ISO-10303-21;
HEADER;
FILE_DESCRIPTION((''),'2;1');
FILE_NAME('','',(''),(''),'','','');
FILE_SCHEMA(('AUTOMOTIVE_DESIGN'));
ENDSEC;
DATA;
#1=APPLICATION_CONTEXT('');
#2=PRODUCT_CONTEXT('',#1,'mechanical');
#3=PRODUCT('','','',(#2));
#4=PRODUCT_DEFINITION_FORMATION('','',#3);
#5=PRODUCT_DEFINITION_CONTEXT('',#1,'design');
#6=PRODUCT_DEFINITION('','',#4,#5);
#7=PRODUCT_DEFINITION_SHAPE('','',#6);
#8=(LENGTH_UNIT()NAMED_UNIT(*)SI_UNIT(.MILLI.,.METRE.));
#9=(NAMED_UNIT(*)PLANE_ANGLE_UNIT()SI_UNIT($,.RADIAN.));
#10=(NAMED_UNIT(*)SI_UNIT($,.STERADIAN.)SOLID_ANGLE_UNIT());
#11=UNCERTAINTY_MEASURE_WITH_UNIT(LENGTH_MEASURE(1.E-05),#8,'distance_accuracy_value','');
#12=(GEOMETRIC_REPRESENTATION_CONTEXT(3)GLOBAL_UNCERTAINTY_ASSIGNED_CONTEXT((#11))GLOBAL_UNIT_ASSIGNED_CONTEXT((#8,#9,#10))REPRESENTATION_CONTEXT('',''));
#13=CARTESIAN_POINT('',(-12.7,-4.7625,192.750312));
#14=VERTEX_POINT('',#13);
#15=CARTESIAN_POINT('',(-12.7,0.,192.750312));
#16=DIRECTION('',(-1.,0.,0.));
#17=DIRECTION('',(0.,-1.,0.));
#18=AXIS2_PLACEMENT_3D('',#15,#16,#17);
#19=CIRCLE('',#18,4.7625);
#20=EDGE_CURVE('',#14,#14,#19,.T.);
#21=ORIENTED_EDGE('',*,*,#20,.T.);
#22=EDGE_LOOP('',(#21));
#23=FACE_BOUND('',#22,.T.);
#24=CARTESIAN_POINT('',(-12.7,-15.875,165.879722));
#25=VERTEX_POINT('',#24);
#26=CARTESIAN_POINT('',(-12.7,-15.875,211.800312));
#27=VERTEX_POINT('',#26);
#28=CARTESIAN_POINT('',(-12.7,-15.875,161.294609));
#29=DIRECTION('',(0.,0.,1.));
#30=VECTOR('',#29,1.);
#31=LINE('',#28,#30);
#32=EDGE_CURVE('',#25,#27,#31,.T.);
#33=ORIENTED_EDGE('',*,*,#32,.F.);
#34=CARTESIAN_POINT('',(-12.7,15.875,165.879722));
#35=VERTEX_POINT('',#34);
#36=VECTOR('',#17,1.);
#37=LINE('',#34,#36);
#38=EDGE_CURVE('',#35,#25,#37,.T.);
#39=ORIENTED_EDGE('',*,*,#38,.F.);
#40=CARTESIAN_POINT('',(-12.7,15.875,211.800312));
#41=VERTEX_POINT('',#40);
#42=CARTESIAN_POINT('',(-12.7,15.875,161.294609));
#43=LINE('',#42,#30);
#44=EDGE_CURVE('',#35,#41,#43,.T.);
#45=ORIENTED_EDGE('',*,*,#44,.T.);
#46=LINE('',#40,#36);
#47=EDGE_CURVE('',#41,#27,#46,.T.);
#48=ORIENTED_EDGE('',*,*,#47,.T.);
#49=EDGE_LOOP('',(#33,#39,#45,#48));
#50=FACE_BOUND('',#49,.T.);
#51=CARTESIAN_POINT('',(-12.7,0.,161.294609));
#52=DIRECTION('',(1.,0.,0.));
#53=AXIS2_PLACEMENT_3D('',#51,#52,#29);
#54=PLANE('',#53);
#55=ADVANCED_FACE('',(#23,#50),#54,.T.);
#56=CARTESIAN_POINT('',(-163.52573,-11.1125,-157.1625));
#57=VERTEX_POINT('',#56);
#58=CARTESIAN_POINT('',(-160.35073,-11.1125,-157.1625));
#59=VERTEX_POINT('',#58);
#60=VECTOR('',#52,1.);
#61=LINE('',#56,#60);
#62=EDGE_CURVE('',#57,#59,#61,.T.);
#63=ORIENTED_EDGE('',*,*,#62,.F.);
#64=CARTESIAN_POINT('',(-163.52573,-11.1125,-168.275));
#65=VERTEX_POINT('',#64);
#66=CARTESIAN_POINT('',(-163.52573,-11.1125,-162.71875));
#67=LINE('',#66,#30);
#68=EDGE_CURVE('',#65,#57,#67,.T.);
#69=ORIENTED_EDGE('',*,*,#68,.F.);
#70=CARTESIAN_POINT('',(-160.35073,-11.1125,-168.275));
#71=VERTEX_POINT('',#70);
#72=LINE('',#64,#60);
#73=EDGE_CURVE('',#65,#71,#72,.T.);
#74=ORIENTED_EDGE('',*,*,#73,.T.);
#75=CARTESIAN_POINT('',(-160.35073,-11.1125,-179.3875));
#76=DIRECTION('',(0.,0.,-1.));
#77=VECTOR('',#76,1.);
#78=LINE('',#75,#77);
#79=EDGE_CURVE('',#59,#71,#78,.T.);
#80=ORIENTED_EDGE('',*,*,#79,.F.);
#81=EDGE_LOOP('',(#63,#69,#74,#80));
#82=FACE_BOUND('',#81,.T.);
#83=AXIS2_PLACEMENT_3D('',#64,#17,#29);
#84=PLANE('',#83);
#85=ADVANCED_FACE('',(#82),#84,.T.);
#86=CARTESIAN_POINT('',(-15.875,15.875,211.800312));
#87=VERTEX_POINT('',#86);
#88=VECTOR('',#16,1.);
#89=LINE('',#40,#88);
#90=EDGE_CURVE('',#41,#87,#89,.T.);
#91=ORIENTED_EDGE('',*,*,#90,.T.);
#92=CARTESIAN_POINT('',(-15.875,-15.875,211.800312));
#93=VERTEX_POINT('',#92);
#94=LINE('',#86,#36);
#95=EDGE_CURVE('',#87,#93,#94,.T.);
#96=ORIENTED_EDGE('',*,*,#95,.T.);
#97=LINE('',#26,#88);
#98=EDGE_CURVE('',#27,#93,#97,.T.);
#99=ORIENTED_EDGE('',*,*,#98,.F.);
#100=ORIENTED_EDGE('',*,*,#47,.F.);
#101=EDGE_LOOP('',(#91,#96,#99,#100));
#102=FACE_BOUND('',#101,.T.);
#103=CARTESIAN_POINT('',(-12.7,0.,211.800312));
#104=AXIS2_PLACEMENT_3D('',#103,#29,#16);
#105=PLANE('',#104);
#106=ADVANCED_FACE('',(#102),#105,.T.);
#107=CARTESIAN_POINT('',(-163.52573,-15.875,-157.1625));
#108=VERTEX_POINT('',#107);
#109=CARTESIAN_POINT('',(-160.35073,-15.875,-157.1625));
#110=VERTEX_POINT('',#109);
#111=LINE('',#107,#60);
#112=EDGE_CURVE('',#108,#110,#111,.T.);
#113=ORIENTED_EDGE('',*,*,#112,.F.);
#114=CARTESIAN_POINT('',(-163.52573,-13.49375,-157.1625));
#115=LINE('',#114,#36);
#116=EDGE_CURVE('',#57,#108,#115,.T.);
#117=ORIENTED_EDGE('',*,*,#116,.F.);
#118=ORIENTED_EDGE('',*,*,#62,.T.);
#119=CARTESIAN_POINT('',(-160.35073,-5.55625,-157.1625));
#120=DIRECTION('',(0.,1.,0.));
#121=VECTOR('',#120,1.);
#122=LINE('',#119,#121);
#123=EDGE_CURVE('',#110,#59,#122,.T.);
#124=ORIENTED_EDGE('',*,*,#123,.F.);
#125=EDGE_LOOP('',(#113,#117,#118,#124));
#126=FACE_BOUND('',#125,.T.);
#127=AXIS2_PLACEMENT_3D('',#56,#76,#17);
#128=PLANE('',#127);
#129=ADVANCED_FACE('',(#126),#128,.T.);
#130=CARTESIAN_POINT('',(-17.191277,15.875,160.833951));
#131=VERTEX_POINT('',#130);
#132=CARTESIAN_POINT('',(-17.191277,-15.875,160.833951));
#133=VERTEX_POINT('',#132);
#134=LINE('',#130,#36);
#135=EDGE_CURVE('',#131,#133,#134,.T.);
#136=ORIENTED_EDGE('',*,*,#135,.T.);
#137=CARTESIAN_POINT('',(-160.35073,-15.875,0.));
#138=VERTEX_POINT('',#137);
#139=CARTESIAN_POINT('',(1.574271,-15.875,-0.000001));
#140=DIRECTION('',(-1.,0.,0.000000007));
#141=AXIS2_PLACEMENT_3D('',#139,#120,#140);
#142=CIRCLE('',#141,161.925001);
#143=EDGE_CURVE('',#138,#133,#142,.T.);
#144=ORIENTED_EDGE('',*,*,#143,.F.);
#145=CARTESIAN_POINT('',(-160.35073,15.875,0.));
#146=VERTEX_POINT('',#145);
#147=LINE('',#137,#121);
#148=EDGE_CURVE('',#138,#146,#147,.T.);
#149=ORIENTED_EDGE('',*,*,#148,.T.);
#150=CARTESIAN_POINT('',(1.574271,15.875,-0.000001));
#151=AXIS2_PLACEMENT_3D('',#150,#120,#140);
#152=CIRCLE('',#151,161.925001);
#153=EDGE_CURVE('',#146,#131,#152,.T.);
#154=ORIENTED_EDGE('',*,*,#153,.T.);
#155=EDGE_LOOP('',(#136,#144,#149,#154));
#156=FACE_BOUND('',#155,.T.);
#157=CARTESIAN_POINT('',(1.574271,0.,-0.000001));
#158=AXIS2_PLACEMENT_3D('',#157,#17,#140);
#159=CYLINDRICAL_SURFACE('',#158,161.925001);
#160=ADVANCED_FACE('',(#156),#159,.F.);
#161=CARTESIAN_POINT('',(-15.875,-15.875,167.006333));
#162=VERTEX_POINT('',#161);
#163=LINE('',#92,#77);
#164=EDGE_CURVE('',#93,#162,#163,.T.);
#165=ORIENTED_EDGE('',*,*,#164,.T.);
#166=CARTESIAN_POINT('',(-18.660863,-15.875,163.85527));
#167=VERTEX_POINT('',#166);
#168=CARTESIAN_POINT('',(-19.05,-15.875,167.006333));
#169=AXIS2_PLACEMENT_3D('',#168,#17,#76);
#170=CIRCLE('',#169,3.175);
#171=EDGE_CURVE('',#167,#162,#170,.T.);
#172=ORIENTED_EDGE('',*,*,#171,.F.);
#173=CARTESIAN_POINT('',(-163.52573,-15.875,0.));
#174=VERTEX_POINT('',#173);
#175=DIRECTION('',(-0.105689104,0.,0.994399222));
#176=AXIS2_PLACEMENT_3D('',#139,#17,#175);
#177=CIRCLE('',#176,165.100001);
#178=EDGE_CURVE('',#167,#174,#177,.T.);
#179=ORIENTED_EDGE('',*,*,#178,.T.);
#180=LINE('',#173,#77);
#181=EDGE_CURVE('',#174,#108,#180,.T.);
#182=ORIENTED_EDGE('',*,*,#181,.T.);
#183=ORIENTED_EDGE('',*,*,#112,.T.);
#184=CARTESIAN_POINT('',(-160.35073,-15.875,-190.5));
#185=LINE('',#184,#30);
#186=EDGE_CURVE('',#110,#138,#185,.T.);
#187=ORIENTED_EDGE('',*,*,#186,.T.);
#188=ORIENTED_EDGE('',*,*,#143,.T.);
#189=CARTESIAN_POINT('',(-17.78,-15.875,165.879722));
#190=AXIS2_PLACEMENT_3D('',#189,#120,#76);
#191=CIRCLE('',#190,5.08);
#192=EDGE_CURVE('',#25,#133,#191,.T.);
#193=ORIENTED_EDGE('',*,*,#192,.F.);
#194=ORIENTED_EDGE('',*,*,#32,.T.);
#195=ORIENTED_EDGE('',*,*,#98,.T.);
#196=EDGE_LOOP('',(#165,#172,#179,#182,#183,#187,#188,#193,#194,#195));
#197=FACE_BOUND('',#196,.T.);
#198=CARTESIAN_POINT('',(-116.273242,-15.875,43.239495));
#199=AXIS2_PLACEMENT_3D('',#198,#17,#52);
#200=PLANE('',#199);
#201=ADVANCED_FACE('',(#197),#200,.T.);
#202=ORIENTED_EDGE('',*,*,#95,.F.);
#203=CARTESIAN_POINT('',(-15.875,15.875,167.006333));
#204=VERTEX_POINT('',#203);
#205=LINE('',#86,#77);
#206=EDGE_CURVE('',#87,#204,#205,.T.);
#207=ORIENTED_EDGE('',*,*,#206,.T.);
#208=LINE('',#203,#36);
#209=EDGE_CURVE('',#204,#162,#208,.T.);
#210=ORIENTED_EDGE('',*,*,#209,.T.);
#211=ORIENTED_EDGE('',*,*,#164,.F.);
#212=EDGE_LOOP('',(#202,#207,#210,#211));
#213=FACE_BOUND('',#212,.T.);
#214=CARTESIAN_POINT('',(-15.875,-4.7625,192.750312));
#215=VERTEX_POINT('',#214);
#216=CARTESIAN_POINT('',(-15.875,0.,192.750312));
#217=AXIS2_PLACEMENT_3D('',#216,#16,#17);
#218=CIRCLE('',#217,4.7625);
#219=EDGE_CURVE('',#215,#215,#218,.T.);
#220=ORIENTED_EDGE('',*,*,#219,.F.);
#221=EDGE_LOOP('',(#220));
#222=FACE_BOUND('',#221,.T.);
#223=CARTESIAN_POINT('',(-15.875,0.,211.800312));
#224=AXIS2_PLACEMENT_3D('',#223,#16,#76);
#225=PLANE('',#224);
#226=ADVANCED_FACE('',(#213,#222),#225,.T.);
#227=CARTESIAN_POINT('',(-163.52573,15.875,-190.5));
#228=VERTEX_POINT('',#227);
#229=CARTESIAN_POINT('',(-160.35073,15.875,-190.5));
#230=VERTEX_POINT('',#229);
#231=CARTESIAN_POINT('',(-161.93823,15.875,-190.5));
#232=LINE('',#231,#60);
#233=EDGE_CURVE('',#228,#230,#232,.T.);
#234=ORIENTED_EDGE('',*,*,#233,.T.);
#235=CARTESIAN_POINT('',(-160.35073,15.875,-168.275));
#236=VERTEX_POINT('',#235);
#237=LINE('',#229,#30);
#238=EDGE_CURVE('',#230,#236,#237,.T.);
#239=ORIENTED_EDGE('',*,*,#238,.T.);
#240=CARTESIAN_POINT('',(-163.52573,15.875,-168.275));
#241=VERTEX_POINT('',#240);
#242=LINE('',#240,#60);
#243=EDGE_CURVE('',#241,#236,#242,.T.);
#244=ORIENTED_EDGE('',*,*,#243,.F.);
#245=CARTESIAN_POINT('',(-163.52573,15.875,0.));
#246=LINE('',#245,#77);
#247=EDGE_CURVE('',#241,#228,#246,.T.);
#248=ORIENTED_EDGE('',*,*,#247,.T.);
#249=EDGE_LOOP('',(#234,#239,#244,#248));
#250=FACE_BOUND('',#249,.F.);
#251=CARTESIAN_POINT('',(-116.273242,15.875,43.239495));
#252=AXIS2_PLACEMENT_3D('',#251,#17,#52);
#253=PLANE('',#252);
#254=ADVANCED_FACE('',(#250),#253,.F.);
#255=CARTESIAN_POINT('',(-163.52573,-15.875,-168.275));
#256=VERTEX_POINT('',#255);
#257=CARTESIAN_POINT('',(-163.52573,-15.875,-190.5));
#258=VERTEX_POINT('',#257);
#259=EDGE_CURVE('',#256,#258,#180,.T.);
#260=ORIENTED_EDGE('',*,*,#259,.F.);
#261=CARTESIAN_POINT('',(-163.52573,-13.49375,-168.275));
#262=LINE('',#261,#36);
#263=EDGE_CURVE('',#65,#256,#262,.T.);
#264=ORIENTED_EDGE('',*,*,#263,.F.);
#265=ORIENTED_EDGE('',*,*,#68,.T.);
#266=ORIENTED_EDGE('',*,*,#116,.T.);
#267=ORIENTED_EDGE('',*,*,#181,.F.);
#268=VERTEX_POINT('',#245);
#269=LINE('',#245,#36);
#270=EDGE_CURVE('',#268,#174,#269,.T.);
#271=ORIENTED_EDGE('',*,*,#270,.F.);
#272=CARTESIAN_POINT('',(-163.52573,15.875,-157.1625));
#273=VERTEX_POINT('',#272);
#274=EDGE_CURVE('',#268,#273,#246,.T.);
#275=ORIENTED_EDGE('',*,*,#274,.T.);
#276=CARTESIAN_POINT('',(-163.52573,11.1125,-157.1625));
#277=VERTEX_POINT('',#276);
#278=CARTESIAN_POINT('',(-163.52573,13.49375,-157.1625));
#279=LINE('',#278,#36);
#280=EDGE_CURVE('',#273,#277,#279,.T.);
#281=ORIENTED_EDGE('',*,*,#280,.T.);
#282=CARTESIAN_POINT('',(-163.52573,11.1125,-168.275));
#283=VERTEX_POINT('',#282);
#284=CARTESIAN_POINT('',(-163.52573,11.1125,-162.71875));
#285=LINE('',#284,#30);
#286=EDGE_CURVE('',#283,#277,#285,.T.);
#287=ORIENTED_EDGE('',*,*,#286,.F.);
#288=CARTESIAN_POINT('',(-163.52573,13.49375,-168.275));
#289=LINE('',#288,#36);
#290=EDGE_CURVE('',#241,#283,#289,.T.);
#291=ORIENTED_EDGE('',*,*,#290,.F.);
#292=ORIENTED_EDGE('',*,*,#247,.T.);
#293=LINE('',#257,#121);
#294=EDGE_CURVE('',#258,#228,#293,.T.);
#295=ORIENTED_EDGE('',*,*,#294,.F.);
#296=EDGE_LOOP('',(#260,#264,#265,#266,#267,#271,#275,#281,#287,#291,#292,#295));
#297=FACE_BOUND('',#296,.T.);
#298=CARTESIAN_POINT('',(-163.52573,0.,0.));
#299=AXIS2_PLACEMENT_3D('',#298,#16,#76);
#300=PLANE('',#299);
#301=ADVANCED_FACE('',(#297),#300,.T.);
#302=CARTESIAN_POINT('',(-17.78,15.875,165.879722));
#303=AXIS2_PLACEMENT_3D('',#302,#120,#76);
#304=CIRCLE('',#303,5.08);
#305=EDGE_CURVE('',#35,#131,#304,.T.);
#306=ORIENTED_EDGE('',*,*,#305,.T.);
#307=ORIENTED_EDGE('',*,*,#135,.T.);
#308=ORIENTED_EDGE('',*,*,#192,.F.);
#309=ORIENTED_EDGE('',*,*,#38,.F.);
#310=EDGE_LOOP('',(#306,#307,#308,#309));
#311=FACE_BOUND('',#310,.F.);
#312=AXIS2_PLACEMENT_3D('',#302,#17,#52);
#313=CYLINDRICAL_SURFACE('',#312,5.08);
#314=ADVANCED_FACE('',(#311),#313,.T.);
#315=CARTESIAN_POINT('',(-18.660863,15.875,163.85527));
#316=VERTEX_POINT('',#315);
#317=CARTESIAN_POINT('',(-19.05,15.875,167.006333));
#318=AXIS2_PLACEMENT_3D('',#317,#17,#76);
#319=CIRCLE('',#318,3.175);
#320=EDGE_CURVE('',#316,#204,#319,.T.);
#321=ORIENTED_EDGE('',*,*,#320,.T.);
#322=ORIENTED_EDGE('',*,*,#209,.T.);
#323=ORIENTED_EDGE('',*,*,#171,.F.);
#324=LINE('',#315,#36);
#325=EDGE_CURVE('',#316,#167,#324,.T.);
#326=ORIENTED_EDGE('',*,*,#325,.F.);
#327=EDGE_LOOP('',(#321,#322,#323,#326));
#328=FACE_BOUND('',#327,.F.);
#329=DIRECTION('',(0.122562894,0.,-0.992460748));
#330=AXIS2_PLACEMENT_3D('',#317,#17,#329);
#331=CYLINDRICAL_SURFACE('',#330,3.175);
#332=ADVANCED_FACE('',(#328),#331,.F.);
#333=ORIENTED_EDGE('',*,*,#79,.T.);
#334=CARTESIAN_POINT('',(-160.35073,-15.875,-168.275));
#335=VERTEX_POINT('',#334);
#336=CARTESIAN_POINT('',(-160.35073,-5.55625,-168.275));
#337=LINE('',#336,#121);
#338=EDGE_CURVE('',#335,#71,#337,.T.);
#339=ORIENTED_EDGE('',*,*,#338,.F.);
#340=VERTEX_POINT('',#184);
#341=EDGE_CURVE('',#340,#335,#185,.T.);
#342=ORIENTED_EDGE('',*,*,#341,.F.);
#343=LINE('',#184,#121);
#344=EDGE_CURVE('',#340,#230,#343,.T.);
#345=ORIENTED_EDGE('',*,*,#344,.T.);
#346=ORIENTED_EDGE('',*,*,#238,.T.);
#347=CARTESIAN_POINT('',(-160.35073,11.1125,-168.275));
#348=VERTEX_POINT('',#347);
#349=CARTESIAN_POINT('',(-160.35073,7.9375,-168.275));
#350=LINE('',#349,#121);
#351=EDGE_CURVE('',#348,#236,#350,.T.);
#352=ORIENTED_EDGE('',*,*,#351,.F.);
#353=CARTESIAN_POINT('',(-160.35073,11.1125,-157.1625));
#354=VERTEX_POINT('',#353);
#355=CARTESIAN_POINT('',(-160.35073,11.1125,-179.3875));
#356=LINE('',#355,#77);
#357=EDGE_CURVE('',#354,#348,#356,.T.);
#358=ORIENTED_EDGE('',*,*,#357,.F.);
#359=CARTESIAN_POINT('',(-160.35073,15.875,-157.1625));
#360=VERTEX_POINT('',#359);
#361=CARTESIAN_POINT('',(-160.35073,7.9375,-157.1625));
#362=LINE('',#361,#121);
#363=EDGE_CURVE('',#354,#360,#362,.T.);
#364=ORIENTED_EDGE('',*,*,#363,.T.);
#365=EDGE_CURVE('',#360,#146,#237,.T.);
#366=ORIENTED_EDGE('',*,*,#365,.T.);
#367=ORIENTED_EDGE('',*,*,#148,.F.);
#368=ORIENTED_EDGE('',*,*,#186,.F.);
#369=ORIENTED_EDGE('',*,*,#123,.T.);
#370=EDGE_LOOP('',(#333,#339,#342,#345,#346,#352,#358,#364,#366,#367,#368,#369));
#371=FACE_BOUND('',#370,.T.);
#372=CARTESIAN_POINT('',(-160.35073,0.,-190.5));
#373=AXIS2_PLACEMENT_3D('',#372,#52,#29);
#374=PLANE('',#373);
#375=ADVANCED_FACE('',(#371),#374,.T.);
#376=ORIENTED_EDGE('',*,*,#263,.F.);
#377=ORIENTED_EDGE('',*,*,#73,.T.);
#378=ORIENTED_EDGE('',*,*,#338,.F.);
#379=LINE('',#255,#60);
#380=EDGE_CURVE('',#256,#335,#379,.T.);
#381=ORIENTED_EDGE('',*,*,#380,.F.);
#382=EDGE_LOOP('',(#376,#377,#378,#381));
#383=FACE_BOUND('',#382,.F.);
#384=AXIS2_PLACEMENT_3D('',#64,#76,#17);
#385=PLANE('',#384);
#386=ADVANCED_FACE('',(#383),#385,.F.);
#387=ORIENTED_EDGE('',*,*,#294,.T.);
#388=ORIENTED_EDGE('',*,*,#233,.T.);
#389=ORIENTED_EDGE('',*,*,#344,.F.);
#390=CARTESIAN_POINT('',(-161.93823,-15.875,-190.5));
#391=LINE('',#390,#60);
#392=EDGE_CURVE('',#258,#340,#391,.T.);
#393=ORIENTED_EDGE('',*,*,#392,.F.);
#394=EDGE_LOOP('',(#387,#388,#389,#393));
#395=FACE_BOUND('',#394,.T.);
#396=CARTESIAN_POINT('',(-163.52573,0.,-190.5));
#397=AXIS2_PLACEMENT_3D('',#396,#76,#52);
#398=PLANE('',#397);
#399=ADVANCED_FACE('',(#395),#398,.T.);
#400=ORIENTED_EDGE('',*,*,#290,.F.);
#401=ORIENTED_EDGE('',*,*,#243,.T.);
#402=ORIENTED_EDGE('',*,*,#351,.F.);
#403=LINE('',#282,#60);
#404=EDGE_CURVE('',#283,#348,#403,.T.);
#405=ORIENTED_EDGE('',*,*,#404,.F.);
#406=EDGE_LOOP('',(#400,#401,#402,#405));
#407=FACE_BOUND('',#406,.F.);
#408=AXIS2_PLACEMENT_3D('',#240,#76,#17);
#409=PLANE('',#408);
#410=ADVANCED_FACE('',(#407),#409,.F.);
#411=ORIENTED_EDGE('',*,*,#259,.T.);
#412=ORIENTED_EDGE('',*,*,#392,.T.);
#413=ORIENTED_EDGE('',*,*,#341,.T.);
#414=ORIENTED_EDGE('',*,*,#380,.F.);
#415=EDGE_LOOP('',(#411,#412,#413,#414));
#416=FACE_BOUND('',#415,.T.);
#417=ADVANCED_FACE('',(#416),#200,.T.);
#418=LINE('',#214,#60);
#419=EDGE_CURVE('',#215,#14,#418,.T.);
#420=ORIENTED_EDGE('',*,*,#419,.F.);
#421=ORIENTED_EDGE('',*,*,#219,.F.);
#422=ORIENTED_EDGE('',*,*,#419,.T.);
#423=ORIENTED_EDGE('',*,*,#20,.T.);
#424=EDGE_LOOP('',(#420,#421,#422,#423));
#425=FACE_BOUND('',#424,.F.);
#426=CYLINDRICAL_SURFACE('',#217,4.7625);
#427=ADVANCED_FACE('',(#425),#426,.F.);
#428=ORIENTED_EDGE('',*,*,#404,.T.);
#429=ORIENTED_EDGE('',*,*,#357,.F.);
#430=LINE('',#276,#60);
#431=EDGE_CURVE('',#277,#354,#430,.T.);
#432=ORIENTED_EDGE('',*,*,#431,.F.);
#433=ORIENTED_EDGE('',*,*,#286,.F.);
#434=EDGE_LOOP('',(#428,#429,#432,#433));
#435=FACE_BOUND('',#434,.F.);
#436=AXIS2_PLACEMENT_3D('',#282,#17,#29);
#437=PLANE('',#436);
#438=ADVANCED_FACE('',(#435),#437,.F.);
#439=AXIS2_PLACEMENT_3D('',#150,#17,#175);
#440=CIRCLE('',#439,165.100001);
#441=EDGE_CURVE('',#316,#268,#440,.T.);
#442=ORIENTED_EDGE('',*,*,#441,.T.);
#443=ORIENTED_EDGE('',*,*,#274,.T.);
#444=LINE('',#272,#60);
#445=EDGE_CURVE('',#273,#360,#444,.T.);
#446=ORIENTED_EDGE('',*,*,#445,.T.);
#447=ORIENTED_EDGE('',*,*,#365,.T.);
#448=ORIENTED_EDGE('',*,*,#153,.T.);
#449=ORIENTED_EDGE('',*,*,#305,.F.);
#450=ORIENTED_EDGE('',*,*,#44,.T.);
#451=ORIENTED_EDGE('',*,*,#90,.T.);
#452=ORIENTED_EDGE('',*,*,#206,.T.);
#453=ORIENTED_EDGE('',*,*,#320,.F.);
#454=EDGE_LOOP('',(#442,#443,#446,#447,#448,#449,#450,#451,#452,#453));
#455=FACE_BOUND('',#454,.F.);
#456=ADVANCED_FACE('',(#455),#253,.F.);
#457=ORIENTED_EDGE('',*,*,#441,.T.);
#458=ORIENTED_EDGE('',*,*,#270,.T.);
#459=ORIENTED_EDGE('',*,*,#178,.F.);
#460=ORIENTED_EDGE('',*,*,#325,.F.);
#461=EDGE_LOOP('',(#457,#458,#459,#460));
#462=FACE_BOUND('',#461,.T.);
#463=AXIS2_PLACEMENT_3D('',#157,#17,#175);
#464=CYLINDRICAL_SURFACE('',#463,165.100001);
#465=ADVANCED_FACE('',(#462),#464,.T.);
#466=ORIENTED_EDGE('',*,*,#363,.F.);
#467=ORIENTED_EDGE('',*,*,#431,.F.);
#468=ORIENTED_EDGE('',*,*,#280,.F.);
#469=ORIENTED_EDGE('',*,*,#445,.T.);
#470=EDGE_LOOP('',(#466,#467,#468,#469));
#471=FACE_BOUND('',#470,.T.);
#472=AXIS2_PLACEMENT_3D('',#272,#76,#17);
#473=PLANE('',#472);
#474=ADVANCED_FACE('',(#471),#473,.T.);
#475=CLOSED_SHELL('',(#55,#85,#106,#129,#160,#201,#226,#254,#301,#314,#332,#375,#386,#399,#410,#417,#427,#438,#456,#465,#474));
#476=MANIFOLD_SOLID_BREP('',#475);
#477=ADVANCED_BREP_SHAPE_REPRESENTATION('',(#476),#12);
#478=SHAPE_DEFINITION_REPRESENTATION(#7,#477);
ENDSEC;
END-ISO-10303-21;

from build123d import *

# Parameters (mm, degrees)
F0_W     = 3.175
F0_H     = 28.575
F1_DEPTH = 15.875
F2_R     = 3.175
F3_R     = 5.08
F4_R     = 4.7625
F5_DEPTH = 3.176
F6_W     = 4.7625
F6_H     = 11.1125
F7_DEPTH = 25.4


with BuildPart() as f1:
    # F0 (on Front) → F1 (new body, symmetric)
    with BuildSketch(Plane.XZ):
        with BuildLine():
            ThreePointArc((-160.35073, 0), (-117.864138, 109.335137), (-12.7, 161.294609))
            Line((-12.7, 161.294609), (-12.7, 211.800312))
            Line((-12.7, 211.800312), (-15.875, 211.800312))
            Line((-15.875, 211.800312), (-15.875, 164.175312))
            ThreePointArc((-15.875, 164.175312), (-121.183386, 110.401847), (-163.52573, 0))
            Line((-163.52573, 0), (-163.52573, -161.925))
            Line((-163.52573, -161.925), (-160.35073, -161.925))
            Line((-160.35073, -161.925), (-160.35073, 0))
        make_face()
        with Locations((-161.93823, -176.2125)):
            Rectangle(F0_W, F0_H)
    extrude(amount=F1_DEPTH, both=True)

    # F2
    f2_edges = [f1.edges().sort_by_distance(p)[0] for p in [
        (-15.875, 0, 164.175312),
    ]]
    fillet(f2_edges, radius=F2_R)

    # F3
    f3_edges = [f1.edges().sort_by_distance(p)[0] for p in [
        (-12.7, 0, 161.294609),
    ]]
    fillet(f3_edges, radius=F3_R)

    # F4 (on face) → F5 (cut, through all)
    with BuildSketch(Plane(origin=(-15.875, 0, 0), x_dir=(0, -1, 0), z_dir=(-1, 0, 0))):
        with Locations((0, 192.750312)):
            Circle(F4_R)
    extrude(amount=-F5_DEPTH, mode=Mode.SUBTRACT)

    # F6 (on face) → F7 (cut)
    with BuildSketch(Plane(origin=(-163.52573, 0, 0), x_dir=(0, -1, 0), z_dir=(-1, 0, 0))):
        with Locations((-13.49375, -162.71875)):
            Rectangle(F6_W, F6_H)
        with Locations((13.49375, -162.71875)):
            Rectangle(F6_W, F6_H)
    extrude(amount=-F7_DEPTH, mode=Mode.SUBTRACT)


solid = f1.part
